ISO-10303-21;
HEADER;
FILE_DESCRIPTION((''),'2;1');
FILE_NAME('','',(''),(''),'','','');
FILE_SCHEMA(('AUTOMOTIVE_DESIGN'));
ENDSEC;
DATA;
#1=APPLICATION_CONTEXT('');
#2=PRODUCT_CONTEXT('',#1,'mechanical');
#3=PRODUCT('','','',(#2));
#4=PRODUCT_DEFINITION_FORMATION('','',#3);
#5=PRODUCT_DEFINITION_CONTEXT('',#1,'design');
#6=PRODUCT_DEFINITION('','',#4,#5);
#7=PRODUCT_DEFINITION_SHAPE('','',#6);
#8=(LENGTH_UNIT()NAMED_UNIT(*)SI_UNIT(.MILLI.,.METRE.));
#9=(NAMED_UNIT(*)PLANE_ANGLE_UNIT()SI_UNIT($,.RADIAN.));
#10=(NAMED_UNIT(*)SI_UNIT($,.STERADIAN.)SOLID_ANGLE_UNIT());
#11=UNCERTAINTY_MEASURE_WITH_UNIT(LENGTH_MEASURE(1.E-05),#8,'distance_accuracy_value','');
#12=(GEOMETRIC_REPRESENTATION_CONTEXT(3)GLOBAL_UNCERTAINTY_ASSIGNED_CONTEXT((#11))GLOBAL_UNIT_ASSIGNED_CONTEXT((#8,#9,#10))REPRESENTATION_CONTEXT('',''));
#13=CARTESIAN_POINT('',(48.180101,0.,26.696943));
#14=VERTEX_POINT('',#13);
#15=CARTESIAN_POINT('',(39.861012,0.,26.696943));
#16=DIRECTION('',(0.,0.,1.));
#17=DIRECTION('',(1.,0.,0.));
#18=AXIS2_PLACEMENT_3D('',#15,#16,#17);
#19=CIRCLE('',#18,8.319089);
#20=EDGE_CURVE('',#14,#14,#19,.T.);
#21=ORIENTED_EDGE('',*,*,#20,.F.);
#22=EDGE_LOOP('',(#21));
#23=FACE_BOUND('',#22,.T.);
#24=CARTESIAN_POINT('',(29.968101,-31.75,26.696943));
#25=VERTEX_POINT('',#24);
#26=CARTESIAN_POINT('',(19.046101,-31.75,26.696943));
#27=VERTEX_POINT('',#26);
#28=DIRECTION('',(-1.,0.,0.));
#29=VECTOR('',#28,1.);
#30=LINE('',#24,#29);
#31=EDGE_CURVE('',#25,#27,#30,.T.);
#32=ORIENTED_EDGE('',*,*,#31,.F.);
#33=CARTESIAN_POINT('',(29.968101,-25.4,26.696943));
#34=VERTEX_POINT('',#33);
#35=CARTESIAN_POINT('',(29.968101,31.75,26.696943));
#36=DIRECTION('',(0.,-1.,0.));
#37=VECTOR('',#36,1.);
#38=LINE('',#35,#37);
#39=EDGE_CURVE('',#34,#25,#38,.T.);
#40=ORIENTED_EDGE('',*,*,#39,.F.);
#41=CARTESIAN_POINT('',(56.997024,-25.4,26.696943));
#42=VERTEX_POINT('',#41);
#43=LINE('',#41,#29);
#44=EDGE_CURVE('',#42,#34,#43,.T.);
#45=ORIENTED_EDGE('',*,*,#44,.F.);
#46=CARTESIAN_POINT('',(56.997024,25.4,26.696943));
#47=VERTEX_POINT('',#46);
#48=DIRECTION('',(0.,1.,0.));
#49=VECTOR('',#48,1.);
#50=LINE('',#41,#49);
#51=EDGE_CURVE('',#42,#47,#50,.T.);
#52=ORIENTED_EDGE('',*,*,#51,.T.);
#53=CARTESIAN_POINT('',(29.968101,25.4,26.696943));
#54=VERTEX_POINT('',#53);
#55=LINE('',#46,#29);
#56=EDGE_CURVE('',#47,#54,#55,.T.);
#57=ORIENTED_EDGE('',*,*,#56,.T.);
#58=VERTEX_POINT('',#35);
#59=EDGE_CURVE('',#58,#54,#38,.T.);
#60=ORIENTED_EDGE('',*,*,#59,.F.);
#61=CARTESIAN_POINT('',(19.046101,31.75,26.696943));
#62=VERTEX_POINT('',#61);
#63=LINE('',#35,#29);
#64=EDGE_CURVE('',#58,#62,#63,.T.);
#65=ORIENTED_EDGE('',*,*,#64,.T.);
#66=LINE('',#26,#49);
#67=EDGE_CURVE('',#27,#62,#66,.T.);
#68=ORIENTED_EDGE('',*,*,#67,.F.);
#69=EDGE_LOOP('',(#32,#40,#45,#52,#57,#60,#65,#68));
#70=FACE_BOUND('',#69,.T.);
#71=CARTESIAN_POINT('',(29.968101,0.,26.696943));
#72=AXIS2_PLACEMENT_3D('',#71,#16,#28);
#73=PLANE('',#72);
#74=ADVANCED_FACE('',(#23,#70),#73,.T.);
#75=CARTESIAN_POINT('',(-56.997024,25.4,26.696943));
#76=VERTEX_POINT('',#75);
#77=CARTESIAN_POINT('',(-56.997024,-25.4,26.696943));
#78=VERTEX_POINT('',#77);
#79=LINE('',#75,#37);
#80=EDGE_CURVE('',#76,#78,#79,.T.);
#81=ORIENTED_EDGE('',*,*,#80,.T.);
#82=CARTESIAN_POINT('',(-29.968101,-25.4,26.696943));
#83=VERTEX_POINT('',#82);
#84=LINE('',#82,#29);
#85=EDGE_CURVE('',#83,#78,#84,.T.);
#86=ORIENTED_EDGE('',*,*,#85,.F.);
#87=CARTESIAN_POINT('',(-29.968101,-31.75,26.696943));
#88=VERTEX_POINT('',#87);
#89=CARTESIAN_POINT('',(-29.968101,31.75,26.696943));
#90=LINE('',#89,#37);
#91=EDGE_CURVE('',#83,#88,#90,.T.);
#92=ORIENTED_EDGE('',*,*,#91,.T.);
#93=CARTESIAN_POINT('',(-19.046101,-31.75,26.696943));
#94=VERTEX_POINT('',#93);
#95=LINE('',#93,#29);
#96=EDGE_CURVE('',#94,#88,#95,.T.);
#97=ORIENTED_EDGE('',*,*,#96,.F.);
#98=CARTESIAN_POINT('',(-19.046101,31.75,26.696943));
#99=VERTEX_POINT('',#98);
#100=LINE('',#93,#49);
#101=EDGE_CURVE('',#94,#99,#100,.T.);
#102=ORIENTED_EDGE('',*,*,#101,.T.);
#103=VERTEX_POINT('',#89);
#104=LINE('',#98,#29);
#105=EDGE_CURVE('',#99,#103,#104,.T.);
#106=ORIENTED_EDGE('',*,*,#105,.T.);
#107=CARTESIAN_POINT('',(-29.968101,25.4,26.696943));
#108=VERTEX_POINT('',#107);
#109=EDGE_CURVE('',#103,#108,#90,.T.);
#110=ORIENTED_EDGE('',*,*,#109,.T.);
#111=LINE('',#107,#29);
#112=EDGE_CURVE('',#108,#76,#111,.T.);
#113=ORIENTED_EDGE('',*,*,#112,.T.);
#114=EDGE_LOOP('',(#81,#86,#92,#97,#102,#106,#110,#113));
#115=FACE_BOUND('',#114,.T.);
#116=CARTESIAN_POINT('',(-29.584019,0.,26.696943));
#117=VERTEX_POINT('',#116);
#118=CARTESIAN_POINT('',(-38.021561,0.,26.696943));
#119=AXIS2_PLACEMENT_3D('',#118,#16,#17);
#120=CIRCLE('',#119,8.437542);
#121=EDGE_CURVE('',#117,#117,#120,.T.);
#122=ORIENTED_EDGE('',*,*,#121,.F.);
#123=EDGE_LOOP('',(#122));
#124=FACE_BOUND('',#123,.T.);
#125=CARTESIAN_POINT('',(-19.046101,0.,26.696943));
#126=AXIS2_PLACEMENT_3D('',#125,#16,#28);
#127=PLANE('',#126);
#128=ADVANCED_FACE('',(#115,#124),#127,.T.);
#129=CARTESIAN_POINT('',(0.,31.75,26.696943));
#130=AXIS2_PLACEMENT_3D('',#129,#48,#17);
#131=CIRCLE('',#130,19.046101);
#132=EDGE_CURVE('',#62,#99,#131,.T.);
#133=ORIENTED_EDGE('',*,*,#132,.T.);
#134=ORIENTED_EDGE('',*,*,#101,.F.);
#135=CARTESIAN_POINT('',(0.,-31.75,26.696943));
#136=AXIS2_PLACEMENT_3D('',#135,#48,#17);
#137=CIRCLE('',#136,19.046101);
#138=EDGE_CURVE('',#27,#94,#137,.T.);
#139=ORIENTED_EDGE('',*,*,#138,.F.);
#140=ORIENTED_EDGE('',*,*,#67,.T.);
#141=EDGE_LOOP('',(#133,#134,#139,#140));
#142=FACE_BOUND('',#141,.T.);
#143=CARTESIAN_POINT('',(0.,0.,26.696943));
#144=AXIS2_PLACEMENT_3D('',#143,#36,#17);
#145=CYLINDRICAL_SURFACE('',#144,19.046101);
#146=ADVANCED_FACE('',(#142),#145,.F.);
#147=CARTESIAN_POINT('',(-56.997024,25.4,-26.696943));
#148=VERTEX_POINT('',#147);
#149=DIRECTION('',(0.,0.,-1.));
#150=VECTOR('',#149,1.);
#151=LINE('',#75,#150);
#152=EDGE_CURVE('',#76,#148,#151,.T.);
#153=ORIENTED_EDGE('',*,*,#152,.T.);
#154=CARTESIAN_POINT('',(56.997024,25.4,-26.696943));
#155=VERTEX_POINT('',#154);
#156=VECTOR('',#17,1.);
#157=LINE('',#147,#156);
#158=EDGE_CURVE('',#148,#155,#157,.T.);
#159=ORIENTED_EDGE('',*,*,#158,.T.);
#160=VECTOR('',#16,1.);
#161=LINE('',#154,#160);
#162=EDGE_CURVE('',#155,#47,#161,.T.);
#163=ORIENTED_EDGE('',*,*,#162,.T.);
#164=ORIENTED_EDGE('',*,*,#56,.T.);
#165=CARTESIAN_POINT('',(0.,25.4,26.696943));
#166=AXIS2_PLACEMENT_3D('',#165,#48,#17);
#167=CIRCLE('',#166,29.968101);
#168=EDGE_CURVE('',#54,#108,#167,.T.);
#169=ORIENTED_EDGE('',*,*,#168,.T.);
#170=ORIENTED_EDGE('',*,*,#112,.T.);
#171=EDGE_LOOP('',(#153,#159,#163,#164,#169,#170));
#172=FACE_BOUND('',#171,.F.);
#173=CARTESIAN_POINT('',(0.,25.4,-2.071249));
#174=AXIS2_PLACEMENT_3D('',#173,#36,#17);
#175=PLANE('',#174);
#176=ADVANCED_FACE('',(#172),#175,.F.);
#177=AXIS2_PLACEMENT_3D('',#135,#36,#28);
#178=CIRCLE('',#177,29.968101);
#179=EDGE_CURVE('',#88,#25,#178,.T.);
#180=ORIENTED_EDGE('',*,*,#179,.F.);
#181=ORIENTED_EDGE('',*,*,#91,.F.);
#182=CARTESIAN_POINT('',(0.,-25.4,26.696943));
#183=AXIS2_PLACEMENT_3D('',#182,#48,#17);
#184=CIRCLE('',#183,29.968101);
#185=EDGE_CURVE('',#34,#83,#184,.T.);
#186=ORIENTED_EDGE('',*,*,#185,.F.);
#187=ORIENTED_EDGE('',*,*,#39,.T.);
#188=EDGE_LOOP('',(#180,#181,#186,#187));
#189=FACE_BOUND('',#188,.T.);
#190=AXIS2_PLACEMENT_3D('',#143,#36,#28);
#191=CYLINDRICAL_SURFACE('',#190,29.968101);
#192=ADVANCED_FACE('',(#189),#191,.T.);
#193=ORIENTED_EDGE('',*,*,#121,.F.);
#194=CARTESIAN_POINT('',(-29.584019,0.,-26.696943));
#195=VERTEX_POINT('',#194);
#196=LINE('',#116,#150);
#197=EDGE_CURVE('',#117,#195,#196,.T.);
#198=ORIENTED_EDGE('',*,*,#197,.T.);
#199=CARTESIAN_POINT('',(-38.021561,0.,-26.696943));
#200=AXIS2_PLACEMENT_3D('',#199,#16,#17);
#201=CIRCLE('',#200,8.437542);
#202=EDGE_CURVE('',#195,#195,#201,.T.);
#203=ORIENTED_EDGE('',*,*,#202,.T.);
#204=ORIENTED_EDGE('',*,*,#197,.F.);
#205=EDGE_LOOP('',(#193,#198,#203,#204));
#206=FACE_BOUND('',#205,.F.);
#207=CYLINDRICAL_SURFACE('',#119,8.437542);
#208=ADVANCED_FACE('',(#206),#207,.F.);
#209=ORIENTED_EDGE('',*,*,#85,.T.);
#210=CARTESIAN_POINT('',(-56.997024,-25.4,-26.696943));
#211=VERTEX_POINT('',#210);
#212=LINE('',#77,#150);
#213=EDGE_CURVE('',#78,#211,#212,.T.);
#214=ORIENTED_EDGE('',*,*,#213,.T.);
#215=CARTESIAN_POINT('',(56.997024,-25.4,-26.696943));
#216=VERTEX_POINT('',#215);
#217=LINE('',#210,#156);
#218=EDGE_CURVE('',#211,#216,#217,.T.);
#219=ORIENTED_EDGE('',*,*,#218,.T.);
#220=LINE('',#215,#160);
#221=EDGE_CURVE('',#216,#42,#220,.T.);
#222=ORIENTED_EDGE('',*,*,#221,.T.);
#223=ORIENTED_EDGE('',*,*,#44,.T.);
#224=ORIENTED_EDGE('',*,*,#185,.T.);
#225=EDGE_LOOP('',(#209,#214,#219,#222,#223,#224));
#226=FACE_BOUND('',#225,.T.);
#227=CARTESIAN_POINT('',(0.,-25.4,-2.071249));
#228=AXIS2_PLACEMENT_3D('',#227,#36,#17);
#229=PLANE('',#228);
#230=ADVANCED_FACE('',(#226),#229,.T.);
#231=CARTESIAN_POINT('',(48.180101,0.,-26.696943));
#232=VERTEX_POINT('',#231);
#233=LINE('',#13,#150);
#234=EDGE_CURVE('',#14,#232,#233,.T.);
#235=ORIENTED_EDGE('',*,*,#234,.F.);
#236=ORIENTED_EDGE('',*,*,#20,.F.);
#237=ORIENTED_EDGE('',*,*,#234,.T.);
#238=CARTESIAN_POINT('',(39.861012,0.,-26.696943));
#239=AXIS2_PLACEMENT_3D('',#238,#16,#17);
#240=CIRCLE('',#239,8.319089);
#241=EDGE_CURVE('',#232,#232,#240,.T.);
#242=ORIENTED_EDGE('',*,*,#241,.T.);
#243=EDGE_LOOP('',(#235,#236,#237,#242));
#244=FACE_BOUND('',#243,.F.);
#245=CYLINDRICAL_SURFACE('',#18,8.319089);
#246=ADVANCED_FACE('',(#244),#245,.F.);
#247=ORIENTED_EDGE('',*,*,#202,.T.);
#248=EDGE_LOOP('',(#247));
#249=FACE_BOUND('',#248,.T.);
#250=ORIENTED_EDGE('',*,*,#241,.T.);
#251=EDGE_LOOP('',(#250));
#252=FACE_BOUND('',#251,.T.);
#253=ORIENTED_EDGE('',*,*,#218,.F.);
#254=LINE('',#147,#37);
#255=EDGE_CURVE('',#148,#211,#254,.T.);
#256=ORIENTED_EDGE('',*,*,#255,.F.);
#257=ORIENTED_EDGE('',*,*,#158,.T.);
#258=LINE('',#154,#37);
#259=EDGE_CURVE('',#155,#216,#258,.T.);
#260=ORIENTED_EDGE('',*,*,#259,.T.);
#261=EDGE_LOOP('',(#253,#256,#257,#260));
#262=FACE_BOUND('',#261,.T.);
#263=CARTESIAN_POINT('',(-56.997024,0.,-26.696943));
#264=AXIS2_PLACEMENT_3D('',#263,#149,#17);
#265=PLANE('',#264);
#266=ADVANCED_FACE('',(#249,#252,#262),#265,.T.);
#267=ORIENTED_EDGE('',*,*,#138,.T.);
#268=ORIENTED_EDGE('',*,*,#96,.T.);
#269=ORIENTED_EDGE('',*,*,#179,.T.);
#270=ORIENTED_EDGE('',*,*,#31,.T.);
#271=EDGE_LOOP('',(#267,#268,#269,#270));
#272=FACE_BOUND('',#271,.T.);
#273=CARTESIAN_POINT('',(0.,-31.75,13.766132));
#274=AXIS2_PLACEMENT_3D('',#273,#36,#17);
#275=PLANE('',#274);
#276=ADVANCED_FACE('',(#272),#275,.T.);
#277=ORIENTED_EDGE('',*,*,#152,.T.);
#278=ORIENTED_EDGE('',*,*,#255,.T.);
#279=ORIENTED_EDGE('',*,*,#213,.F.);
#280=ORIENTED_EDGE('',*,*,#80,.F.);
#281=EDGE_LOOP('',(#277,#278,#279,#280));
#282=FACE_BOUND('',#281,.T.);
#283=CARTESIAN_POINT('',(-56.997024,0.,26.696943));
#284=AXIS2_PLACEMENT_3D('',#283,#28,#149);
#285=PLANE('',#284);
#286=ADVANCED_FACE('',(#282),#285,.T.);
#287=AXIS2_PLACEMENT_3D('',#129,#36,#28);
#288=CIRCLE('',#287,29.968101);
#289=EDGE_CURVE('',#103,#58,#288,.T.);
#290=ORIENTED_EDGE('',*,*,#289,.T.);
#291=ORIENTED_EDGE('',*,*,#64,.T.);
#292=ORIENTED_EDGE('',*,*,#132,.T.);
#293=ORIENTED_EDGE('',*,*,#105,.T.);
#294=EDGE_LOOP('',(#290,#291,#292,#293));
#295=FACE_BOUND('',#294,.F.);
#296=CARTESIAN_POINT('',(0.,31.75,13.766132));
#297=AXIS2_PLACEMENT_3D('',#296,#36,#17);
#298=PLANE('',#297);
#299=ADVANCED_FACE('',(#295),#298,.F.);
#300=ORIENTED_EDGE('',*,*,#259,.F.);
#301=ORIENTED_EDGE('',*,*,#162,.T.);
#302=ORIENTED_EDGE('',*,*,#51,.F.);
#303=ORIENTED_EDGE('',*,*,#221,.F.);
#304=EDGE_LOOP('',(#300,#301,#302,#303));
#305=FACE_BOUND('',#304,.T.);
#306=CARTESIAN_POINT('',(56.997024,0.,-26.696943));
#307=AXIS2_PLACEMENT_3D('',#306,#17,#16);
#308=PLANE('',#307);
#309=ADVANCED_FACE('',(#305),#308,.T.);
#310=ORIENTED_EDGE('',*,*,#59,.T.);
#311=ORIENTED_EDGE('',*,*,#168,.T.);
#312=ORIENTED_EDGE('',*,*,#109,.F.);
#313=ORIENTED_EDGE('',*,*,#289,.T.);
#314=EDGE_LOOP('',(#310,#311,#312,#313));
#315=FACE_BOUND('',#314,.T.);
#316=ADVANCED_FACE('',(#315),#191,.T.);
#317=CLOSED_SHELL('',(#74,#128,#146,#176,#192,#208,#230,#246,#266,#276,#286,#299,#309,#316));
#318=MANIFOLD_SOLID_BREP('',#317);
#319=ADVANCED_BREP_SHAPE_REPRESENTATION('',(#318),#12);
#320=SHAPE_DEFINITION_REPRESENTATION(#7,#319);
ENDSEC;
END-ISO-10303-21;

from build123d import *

# Parameters (mm, degrees)
F1_DEPTH = 25.4
F2_DEPTH = 31.75
F3_R     = 8.4375422203
F3_R_2   = 8.3190886378
F4_DEPTH = 74.422


with BuildPart() as f1:
    # F0 (on Front) → F1 (new body, symmetric)
    with BuildSketch(Plane.XZ):
        with BuildLine():
            Line((-29.9681008023, 26.6969427466), (-56.9970235229, 26.6969427466))
            Line((-56.9970235229, 26.6969427466), (-56.9970235229, -26.6969427466))
            Line((-56.9970235229, -26.6969427466), (56.9970235229, -26.6969427466))
            Line((56.9970235229, -26.6969427466), (56.9970235229, 26.6969427466))
            Line((56.9970235229, 26.6969427466), (29.9681008023, 26.6969427466))
            ThreePointArc((29.9681008023, 26.6969427466), (0, -3.2711580556), (-29.9681008023, 26.6969427466))
        make_face()
    extrude(amount=F1_DEPTH, both=True)

    # F0 (on Front) → F2 (join, symmetric)
    with BuildSketch(Plane.XZ):
        with BuildLine():
            Line((-19.0461007878, 26.6969427466), (-29.9681008023, 26.6969427466))
            ThreePointArc((-29.9681008023, 26.6969427466), (0, -3.2711580556), (29.9681008023, 26.6969427466))
            Line((29.9681008023, 26.6969427466), (19.0461007878, 26.6969427466))
            ThreePointArc((19.0461007878, 26.6969427466), (0, 7.6508419588), (-19.0461007878, 26.6969427466))
        make_face()
    extrude(amount=F2_DEPTH, both=True)

    # F3 (on face) → F4 (cut)
    with BuildSketch(Plane.XY.offset(26.6969427466)):
        with Locations((-38.0215607584, 0)):
            Circle(F3_R)
        with Locations((39.8610122502, 0)):
            Circle(F3_R_2)
    extrude(amount=-F4_DEPTH, mode=Mode.SUBTRACT)


solid = f1.part
